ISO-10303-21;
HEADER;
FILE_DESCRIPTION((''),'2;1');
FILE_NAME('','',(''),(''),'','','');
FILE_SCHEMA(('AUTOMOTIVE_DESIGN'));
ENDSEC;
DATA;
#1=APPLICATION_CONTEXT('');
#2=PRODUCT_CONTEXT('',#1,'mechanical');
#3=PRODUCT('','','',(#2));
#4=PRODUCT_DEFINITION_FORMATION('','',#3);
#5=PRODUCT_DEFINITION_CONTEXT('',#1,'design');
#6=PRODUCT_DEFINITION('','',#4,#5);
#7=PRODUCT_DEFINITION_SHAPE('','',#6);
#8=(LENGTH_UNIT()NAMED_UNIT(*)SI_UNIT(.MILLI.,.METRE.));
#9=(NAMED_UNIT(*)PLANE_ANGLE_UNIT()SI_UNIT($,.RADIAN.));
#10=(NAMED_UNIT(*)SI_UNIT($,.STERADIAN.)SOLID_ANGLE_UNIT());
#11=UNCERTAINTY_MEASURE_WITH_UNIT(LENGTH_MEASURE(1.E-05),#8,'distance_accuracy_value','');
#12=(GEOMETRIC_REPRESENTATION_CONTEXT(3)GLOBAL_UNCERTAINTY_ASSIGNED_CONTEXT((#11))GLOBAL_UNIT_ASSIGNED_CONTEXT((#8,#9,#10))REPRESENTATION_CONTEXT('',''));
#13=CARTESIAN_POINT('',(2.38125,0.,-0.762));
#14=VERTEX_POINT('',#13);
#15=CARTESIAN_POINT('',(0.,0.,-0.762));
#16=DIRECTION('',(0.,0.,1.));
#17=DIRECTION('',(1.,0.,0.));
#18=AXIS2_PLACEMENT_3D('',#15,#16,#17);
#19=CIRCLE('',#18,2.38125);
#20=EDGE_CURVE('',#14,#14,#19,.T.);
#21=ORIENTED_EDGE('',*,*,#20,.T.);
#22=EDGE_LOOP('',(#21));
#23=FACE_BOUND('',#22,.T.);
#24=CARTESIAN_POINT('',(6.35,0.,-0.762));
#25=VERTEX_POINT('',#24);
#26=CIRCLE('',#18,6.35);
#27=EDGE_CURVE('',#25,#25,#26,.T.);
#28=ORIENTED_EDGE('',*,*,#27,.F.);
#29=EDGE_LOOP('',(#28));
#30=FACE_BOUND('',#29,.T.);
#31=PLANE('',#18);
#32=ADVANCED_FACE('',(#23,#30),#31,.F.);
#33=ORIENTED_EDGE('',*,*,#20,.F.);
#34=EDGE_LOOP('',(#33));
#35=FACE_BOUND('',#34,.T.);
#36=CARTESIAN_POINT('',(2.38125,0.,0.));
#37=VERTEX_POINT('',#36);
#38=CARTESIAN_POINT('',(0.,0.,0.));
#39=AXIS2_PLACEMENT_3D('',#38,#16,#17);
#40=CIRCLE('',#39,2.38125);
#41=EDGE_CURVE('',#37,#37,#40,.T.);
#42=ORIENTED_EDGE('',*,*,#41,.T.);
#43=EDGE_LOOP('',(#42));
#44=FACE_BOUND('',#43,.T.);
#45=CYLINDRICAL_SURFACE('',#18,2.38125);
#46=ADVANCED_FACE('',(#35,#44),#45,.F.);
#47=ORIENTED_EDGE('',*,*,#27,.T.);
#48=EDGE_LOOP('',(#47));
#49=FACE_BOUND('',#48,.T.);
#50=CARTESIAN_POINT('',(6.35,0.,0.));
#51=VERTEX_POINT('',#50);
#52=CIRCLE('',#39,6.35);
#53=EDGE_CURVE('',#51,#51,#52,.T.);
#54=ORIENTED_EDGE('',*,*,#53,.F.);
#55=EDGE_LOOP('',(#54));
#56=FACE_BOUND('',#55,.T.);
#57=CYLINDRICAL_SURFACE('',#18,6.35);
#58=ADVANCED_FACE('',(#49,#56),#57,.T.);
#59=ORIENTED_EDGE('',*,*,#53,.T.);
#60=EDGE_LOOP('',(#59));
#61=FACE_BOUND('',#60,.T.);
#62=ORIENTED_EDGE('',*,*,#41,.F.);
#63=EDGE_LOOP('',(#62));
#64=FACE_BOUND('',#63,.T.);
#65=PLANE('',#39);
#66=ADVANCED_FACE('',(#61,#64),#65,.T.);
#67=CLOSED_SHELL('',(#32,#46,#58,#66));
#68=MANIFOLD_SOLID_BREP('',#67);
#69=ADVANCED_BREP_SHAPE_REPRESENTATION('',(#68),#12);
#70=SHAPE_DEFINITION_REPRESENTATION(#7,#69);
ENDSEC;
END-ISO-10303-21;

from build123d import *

# Parameters (mm, degrees)
SKETCH1_R      = 6.35
SKETCH1_R_2    = 2.38125
EXTRUDE1_DEPTH = 0.762


with BuildPart() as part:
    # Sketch1 → Extrude1 (new body)
    with BuildSketch(Plane.XY):
        Circle(SKETCH1_R)
        Circle(SKETCH1_R_2, mode=Mode.SUBTRACT)
    extrude(amount=-EXTRUDE1_DEPTH)


solid = part.part
